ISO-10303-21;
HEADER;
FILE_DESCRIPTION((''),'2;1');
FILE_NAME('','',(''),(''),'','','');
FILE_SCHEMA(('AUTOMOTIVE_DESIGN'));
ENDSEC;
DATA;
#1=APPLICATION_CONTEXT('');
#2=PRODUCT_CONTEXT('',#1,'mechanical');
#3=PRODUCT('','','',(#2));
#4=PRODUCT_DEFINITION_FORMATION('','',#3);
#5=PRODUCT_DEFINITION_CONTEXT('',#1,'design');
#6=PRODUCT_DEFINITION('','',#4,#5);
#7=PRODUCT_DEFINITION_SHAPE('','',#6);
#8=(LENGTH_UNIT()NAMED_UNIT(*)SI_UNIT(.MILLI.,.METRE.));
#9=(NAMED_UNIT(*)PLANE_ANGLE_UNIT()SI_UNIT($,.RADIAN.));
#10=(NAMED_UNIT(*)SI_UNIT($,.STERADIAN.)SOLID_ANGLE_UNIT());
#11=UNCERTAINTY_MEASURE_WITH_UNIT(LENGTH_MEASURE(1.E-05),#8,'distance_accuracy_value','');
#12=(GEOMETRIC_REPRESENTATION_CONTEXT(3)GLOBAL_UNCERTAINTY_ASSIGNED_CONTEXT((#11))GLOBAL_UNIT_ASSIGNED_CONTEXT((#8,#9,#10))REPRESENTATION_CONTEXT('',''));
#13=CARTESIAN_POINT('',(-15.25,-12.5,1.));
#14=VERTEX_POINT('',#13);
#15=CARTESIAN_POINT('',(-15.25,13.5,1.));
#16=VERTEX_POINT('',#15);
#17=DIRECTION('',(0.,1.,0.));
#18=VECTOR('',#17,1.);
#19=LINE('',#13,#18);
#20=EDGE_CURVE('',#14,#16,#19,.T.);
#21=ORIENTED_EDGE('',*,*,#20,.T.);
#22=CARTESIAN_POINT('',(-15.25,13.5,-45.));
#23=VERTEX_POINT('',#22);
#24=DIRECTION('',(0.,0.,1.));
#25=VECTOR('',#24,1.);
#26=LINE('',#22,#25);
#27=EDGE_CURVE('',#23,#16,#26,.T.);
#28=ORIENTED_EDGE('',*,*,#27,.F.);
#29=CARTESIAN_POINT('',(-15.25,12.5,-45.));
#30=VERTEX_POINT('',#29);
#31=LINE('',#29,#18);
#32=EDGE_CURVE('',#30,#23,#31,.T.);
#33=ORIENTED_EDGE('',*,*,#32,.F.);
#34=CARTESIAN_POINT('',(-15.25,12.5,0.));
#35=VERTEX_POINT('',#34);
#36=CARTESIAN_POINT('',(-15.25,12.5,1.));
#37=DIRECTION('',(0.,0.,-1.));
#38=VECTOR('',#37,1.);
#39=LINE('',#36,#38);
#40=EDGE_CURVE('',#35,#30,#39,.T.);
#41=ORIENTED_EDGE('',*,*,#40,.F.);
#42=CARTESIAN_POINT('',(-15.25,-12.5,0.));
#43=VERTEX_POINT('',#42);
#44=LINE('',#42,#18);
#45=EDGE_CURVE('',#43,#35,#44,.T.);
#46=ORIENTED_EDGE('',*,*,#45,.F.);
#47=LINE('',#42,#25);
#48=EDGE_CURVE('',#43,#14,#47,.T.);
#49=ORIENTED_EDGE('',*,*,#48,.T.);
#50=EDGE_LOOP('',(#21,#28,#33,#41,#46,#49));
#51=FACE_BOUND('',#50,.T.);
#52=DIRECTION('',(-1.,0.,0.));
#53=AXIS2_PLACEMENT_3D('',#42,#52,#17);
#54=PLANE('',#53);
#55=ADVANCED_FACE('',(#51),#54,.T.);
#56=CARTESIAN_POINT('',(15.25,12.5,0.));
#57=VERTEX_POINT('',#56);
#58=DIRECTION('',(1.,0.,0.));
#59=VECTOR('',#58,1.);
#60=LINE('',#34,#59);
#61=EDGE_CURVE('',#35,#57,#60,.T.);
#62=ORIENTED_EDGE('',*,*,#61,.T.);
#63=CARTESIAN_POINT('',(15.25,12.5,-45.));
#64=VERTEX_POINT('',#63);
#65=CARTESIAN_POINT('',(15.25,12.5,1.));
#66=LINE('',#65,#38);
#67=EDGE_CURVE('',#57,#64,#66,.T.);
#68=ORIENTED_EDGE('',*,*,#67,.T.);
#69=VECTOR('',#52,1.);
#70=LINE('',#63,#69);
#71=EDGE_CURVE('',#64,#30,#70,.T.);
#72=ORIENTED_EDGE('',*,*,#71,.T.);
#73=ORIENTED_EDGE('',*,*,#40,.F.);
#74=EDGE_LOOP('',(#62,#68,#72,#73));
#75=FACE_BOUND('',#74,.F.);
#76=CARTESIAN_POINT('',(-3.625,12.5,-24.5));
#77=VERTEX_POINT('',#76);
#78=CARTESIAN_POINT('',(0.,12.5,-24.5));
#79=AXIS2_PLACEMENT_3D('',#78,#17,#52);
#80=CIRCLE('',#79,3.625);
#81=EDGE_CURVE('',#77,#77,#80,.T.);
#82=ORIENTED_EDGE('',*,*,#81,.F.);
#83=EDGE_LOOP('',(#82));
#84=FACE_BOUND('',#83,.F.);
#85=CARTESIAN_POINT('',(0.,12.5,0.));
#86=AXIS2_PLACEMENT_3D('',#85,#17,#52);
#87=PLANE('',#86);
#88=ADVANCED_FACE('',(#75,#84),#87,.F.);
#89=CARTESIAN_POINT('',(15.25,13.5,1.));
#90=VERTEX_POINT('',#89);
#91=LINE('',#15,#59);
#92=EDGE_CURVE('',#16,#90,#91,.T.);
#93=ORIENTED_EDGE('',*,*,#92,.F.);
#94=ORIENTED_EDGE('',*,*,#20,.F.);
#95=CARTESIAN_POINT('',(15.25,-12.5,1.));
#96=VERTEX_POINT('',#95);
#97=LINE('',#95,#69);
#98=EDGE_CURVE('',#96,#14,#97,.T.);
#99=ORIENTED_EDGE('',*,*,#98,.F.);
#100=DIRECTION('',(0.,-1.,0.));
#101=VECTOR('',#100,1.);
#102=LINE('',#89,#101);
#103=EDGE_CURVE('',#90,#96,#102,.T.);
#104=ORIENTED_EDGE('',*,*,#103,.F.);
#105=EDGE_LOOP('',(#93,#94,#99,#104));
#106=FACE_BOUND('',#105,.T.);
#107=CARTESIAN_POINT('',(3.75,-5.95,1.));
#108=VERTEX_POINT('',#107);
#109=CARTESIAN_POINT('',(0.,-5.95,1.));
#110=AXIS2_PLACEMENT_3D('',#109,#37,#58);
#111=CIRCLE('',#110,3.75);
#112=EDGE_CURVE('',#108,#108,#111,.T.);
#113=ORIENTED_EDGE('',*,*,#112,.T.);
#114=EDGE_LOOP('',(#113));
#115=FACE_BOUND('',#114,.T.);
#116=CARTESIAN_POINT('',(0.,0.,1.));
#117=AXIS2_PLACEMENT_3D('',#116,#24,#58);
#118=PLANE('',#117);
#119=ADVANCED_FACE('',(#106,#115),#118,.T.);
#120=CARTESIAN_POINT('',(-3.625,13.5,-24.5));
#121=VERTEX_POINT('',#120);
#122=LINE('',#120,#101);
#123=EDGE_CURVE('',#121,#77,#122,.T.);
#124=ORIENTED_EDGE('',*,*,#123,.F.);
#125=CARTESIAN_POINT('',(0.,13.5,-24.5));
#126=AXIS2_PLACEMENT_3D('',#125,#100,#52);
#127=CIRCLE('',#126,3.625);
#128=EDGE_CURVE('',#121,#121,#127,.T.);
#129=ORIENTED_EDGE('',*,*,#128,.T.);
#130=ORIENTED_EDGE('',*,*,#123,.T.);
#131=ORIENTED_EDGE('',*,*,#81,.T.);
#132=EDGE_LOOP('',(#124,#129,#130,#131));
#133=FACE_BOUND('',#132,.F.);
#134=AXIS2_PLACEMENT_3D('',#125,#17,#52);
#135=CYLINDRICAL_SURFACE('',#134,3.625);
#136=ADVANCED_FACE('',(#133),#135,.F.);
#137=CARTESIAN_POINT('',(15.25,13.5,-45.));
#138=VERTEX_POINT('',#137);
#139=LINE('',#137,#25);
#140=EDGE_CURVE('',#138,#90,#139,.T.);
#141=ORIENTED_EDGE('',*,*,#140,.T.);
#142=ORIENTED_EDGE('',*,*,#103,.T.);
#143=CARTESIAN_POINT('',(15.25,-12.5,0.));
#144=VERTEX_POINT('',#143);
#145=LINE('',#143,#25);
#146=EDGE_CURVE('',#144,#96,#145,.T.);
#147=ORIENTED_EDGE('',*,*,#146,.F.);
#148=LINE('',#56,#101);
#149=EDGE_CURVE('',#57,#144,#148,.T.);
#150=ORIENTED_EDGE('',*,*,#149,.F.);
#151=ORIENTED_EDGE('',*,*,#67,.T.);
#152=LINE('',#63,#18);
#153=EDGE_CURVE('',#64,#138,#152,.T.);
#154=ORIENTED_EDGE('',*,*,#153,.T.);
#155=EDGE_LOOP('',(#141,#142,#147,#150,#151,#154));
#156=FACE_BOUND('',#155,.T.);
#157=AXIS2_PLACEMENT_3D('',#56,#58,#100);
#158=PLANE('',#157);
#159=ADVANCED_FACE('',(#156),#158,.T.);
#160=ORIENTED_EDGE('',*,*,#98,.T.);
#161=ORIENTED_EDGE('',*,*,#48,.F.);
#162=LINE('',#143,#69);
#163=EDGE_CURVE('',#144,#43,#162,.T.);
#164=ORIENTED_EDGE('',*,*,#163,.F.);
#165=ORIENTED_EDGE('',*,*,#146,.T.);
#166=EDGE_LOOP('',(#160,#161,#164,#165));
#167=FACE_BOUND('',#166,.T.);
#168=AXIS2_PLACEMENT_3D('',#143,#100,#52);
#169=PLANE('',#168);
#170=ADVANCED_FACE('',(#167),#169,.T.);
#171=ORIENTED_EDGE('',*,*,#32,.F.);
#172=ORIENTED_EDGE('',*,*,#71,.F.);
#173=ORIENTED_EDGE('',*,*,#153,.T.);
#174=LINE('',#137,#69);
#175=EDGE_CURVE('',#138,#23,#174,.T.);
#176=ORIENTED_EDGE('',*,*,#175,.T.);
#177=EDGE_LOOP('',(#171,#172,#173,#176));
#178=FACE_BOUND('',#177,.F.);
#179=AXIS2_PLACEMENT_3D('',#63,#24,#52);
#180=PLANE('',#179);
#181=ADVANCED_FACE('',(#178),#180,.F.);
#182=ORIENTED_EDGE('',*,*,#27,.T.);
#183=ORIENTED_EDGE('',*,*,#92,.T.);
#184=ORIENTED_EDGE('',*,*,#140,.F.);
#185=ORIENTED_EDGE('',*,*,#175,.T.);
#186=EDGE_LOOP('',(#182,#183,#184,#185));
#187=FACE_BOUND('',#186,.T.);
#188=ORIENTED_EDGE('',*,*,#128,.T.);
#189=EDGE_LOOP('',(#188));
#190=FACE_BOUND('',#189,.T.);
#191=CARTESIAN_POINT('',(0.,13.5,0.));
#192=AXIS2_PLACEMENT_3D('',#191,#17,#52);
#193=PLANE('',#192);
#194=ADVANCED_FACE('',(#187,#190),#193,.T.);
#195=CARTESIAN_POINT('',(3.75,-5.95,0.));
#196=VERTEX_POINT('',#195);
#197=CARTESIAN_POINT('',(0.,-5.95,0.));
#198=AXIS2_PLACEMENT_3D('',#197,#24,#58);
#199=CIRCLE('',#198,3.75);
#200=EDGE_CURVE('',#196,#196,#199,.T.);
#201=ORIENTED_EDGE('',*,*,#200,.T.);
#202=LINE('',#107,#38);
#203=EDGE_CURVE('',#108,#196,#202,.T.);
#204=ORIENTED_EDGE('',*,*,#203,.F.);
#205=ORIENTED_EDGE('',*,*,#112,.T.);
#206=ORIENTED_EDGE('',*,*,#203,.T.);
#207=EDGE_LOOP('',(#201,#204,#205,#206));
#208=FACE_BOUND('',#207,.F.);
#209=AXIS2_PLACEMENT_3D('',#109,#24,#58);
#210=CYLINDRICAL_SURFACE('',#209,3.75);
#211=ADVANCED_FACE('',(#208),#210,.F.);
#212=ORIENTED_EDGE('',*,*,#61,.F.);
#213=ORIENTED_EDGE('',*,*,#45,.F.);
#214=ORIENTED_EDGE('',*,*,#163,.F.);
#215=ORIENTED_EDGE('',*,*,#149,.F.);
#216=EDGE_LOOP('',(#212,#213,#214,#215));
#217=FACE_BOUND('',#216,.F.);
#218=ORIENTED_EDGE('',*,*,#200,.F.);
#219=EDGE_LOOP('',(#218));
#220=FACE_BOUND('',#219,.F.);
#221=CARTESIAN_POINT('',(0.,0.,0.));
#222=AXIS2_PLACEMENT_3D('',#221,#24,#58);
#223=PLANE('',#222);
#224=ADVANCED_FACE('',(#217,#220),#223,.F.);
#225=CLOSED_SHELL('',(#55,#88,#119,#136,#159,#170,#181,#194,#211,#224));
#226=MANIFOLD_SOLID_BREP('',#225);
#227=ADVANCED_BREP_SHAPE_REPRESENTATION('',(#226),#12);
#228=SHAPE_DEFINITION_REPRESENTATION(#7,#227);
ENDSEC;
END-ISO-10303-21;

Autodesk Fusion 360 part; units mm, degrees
sketch "Sketch1" plane through (0, 0, 0) normal (0, 0, 1) x (1, 0, 0)
  line L0 (15.25, -12.5) -> (-15.25, -12.5)
  line L1 (-15.25, -12.5) -> (-15.25, 12.5)
  line L2 (-15.25, 12.5) -> (15.25, 12.5)
  line L3 (15.25, 12.5) -> (15.25, -12.5)
  line L4 (15.25, -12.5) -> (-15.25, 12.5) construction
  line L5 (-15.25, -12.5) -> (15.25, 12.5) construction
  dimension "d1" = 30.5
  dimension "d2" = 25
extrude "Extrude1" add sketch "Sketch1" along normal blind 1
sketch "Sketch2" plane through (0, 12.5, 0) normal (0, 1, 0) x (-1, 0, 0)
  line L0 (-15.25, 0) -> (15.25, 0)
  line L1 (15.25, 0) -> (15.25, 1)
  line L2 (15.25, 1) -> (-15.25, 1)
  line L3 (-15.25, 1) -> (-15.25, 0)
  line L4 (15.25, 1) -> (-15.25, 1)
  line L5 (-15.25, 1) -> (-15.25, -45)
  line L6 (-15.25, -45) -> (15.25, -45)
  line L7 (15.25, -45) -> (15.25, 1)
  dimension "d5" = 46
  dimension "d6" = 30.5
extrude "Extrude2" add sketch "Sketch2" along normal blind 1
sketch "Sketch3" plane through (0, 0, 1) normal (0, 0, 1) x (1, 0, 0)
  line L0 (-15.25, 13.5) -> (-15.25, -12.5)
  line L1 (-15.25, -12.5) -> (15.25, -12.5)
  line L2 (15.25, -12.5) -> (15.25, 13.5)
  line L3 (15.25, 13.5) -> (-15.25, 13.5)
  line L4 (0, -12.5) -> (0, -5.95)
  circle A0 centre (0, -5.95) radius 3.75
  dimension "d9" = 6.55
  dimension "d10" = 7.5
extrude "Extrude3" cut sketch "Sketch3" against normal blind 46 contours A0
sketch "Sketch4" plane through (0, 13.5, 0) normal (0, 1, 0) x (-1, 0, 0)
  line L0 (15.25, -45) -> (15.25, 1)
  line L1 (15.25, 1) -> (-15.25, 1)
  line L2 (-15.25, 1) -> (-15.25, -45)
  line L3 (-15.25, -45) -> (15.25, -45)
  line L4 (0, 1) -> (0, -24.5)
  circle A0 centre (0, -24.5) radius 3.625
  dimension "d13" = 25.5
  dimension "d14" = 7.25
extrude "Extrude4" cut sketch "Sketch4" against normal blind 20 contours A0
equation "d9 = 2.8 mm + 3.75 mm"
